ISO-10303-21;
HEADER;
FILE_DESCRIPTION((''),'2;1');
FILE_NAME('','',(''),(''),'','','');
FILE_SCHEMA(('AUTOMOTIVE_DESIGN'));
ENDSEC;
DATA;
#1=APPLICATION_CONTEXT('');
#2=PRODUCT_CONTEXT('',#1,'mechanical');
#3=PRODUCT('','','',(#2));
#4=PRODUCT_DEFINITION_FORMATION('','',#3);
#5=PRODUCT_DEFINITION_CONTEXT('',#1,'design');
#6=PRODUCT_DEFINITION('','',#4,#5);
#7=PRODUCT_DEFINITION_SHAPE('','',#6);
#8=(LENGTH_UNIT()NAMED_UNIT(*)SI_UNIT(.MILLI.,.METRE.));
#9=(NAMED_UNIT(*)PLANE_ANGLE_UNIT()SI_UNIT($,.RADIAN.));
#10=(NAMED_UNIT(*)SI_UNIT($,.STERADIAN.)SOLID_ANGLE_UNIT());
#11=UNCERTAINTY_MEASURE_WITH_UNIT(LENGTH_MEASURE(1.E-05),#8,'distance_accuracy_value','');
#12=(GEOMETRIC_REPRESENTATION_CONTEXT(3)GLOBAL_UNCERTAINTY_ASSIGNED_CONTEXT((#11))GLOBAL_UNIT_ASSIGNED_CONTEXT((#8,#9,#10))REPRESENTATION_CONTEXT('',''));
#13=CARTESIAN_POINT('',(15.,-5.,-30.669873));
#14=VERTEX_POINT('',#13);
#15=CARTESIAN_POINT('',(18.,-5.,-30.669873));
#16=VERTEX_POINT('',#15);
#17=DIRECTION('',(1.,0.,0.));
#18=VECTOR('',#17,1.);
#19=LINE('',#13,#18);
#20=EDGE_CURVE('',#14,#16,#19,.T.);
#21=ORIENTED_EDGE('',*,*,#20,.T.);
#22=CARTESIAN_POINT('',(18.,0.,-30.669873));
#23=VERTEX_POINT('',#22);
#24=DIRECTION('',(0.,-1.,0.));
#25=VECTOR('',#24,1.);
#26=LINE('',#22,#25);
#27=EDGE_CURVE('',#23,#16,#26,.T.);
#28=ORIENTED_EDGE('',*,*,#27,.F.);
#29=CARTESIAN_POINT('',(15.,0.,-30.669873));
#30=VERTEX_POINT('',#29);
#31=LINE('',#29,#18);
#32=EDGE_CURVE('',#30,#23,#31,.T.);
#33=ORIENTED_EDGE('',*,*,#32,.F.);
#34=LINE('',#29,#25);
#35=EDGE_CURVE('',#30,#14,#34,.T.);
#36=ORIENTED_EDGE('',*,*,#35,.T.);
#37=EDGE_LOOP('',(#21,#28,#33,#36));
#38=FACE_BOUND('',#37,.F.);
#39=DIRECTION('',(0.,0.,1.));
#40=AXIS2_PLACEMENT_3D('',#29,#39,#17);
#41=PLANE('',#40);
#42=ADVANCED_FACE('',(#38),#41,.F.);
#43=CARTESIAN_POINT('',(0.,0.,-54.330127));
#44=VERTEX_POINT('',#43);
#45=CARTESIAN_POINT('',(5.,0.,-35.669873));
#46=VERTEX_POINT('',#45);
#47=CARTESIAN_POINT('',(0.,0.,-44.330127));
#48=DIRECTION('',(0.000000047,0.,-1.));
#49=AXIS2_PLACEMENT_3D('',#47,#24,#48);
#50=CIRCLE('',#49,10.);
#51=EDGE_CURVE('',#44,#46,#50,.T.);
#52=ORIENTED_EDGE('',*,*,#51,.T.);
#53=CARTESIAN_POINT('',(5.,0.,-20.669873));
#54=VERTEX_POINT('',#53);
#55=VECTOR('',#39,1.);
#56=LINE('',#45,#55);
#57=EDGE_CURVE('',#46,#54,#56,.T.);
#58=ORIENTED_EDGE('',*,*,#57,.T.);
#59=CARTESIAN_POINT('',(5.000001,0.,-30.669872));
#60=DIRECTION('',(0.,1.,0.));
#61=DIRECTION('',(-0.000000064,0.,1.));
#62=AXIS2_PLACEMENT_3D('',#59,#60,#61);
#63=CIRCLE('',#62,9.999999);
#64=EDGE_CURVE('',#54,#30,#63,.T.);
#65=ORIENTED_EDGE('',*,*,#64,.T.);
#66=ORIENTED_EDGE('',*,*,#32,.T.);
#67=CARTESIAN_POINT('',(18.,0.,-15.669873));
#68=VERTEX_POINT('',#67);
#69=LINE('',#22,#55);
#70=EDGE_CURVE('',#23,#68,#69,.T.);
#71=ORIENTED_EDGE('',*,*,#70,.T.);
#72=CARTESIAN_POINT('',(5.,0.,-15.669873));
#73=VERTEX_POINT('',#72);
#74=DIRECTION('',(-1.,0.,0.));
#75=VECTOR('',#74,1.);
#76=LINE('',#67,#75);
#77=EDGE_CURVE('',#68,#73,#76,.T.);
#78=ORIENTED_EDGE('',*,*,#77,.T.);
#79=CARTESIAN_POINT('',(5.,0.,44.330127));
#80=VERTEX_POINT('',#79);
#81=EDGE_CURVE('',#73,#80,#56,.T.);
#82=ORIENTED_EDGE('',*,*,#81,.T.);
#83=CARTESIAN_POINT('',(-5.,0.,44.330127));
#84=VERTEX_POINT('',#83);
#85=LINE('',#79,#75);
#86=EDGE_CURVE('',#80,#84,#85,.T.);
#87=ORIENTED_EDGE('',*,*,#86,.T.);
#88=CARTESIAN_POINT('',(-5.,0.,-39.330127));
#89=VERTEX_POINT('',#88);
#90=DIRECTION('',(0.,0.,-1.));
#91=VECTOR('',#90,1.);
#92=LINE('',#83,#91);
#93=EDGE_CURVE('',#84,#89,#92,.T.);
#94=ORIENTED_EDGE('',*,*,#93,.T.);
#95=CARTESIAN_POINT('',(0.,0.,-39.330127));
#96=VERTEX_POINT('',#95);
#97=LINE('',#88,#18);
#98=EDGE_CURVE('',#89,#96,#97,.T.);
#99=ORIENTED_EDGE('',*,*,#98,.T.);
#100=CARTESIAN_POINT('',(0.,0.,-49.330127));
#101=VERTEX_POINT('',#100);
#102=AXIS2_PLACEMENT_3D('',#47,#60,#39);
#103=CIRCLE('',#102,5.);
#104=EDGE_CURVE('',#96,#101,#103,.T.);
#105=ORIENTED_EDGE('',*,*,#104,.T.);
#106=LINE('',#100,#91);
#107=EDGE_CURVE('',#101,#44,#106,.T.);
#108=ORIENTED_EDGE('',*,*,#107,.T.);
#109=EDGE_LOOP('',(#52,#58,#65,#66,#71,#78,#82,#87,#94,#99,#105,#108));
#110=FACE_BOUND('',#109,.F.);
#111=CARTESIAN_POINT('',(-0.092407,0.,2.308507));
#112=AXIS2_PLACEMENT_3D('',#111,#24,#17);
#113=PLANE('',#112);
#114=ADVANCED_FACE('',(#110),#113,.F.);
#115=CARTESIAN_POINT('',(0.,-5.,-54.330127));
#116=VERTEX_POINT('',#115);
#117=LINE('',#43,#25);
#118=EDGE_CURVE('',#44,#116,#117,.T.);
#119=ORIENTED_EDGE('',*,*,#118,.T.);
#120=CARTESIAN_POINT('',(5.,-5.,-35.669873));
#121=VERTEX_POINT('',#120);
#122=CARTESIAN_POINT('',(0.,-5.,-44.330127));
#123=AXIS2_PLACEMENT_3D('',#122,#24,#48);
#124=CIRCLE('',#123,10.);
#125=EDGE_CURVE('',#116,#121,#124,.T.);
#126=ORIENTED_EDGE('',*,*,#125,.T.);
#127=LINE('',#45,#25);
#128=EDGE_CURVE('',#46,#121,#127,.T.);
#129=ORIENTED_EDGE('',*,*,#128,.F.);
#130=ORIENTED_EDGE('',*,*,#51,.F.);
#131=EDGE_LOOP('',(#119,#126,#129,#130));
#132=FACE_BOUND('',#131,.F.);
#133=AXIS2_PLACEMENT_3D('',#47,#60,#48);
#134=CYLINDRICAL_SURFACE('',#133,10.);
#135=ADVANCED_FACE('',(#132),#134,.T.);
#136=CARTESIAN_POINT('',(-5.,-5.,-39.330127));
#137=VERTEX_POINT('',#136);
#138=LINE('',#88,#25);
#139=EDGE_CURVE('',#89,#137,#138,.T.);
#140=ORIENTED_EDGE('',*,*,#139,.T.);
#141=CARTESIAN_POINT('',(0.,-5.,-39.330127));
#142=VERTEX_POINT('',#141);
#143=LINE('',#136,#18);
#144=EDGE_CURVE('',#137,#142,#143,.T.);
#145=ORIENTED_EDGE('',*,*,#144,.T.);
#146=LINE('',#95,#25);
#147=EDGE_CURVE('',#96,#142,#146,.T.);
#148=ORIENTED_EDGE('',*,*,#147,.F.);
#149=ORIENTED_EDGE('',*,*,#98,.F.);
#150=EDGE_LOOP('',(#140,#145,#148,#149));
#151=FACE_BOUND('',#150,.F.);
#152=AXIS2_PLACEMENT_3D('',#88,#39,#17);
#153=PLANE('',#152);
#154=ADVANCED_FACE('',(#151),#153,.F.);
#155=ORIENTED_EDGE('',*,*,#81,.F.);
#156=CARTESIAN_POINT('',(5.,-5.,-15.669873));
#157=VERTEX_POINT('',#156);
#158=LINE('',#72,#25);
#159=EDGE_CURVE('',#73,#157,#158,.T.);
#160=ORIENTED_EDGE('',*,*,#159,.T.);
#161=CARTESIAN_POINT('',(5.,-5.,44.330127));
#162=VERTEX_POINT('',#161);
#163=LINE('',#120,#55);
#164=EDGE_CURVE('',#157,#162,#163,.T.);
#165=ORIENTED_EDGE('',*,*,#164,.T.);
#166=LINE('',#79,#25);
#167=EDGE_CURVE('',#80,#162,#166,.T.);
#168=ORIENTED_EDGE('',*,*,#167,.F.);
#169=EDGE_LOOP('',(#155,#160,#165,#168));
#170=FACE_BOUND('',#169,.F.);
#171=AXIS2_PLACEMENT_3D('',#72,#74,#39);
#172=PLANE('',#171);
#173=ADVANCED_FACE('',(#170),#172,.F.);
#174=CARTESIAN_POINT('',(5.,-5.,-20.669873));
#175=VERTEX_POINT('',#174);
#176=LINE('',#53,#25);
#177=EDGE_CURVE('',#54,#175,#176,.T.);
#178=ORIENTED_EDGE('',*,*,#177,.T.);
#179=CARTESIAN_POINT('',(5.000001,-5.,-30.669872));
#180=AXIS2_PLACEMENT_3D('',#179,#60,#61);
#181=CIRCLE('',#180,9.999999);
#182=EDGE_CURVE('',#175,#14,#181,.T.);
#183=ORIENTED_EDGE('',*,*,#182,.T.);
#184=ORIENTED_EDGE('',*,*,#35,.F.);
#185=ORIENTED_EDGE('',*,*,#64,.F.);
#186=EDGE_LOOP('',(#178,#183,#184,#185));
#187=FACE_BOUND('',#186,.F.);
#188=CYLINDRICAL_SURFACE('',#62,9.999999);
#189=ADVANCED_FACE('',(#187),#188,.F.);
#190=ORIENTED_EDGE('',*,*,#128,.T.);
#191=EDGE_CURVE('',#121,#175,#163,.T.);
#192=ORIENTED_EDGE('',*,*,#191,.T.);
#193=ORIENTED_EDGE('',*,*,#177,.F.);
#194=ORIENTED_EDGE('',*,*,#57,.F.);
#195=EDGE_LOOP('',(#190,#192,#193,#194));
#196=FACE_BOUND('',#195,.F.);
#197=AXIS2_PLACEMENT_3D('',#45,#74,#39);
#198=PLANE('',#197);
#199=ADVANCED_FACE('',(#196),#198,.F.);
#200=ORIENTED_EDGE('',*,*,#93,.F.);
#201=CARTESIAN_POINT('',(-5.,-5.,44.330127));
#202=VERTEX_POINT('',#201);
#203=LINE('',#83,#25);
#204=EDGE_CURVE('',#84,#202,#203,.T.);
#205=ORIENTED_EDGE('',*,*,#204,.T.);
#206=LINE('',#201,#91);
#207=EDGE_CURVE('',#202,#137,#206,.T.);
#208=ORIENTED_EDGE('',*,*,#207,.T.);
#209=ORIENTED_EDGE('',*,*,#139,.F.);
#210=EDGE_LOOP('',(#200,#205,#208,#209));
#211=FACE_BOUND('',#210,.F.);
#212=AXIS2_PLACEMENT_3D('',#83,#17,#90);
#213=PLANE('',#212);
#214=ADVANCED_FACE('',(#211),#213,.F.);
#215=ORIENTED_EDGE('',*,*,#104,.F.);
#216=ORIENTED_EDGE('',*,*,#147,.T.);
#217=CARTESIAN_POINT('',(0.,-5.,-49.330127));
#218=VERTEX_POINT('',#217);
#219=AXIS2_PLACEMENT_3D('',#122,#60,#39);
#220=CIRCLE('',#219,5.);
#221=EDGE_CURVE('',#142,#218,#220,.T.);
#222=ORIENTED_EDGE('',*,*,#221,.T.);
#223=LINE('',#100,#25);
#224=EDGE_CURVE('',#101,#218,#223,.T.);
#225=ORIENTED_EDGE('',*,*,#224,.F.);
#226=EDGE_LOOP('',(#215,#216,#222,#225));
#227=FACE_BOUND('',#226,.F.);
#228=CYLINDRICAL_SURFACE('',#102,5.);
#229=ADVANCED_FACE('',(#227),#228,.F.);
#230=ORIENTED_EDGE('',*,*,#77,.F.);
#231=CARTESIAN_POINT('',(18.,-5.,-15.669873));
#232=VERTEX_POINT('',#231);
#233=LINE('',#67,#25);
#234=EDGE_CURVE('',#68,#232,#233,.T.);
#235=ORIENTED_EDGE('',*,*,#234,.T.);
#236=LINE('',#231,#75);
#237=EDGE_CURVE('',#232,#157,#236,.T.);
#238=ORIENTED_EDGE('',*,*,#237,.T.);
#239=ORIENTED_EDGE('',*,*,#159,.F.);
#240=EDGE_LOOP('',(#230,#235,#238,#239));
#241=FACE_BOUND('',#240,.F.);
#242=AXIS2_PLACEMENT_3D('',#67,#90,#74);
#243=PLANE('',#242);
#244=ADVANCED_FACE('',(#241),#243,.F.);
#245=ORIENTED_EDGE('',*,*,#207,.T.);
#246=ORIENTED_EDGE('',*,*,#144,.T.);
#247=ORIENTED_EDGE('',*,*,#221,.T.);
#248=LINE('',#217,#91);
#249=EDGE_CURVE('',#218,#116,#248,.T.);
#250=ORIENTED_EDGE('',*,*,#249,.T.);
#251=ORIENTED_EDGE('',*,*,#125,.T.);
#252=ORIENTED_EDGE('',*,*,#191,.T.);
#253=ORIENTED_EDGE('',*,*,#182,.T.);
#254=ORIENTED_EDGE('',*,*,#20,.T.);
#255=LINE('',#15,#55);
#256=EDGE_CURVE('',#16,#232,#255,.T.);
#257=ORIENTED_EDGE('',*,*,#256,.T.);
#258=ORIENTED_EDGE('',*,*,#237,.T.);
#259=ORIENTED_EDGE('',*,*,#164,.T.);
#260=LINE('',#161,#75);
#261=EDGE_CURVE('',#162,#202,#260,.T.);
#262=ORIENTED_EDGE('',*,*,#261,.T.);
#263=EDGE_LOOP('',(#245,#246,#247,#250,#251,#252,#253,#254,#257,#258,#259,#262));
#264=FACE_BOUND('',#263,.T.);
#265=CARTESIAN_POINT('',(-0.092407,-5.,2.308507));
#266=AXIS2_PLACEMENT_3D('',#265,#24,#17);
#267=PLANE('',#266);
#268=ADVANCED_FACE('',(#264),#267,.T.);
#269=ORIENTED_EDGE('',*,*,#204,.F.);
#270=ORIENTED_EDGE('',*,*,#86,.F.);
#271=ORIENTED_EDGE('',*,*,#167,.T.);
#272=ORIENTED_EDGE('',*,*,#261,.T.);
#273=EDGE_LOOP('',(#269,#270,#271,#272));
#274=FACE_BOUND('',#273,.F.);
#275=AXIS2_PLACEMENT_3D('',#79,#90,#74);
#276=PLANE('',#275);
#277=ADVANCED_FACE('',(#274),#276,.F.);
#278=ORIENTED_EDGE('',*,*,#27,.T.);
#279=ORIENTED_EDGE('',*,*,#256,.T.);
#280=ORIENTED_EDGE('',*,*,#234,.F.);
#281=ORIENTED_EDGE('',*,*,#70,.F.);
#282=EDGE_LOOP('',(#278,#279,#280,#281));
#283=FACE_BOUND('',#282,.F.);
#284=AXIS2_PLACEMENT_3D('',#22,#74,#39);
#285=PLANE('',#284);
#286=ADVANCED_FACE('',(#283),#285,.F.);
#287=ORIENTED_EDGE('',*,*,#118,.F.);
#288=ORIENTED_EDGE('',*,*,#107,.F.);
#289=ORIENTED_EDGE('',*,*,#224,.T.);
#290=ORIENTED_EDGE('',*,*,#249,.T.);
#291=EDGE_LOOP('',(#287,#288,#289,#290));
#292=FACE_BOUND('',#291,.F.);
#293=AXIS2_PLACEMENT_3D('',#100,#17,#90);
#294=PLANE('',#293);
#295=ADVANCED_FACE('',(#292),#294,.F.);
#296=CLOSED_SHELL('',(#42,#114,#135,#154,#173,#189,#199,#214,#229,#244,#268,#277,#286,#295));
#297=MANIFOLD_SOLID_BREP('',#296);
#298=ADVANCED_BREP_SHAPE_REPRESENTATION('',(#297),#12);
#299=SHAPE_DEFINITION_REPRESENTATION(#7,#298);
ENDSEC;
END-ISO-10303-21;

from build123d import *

# Parameters (mm, degrees)
F1_DEPTH = 5


with BuildPart() as f1:
    # F0 (on Front) → F1 (new body)
    with BuildSketch(Plane.XZ):
        with BuildLine():
            Line((5, -15.669873), (5, 44.330127))
            Line((5, 44.330127), (-5, 44.330127))
            Line((-5, 44.330127), (-5, -35.669873))
            Line((-5, -35.669873), (-5, -39.330127))
            Line((-5, -39.330127), (0, -39.330127))
            Line((0, -39.330127), (0, -34.330127))
            ThreePointArc((0, -34.330127), (2.58819, -34.670869), (5, -35.669873))
            Line((5, -35.669873), (5, -30.669873))
            Line((5, -30.669873), (5, -20.669873))
            Line((5, -20.669873), (5, -15.669873))
        make_face()
        with BuildLine():
            Line((18, -15.669873), (5, -15.669873))
            Line((5, -15.669873), (5, -20.669873))
            ThreePointArc((5, -20.669873), (12.071068, -23.598805), (15, -30.669873))
            Line((15, -30.669873), (18, -30.669873))
            Line((18, -30.669873), (18, -15.669873))
        make_face()
        with BuildLine():
            Line((0, -34.330127), (0, -39.330127))
            ThreePointArc((0, -39.330127), (5, -44.330127), (0, -49.330127))
            Line((0, -49.330127), (0, -54.330127))
            ThreePointArc((0, -54.330127), (9.659258, -46.918317), (5, -35.669873))
            ThreePointArc((5, -35.669873), (2.58819, -34.670869), (0, -34.330127))
        make_face()
    extrude(amount=F1_DEPTH)


solid = f1.part
